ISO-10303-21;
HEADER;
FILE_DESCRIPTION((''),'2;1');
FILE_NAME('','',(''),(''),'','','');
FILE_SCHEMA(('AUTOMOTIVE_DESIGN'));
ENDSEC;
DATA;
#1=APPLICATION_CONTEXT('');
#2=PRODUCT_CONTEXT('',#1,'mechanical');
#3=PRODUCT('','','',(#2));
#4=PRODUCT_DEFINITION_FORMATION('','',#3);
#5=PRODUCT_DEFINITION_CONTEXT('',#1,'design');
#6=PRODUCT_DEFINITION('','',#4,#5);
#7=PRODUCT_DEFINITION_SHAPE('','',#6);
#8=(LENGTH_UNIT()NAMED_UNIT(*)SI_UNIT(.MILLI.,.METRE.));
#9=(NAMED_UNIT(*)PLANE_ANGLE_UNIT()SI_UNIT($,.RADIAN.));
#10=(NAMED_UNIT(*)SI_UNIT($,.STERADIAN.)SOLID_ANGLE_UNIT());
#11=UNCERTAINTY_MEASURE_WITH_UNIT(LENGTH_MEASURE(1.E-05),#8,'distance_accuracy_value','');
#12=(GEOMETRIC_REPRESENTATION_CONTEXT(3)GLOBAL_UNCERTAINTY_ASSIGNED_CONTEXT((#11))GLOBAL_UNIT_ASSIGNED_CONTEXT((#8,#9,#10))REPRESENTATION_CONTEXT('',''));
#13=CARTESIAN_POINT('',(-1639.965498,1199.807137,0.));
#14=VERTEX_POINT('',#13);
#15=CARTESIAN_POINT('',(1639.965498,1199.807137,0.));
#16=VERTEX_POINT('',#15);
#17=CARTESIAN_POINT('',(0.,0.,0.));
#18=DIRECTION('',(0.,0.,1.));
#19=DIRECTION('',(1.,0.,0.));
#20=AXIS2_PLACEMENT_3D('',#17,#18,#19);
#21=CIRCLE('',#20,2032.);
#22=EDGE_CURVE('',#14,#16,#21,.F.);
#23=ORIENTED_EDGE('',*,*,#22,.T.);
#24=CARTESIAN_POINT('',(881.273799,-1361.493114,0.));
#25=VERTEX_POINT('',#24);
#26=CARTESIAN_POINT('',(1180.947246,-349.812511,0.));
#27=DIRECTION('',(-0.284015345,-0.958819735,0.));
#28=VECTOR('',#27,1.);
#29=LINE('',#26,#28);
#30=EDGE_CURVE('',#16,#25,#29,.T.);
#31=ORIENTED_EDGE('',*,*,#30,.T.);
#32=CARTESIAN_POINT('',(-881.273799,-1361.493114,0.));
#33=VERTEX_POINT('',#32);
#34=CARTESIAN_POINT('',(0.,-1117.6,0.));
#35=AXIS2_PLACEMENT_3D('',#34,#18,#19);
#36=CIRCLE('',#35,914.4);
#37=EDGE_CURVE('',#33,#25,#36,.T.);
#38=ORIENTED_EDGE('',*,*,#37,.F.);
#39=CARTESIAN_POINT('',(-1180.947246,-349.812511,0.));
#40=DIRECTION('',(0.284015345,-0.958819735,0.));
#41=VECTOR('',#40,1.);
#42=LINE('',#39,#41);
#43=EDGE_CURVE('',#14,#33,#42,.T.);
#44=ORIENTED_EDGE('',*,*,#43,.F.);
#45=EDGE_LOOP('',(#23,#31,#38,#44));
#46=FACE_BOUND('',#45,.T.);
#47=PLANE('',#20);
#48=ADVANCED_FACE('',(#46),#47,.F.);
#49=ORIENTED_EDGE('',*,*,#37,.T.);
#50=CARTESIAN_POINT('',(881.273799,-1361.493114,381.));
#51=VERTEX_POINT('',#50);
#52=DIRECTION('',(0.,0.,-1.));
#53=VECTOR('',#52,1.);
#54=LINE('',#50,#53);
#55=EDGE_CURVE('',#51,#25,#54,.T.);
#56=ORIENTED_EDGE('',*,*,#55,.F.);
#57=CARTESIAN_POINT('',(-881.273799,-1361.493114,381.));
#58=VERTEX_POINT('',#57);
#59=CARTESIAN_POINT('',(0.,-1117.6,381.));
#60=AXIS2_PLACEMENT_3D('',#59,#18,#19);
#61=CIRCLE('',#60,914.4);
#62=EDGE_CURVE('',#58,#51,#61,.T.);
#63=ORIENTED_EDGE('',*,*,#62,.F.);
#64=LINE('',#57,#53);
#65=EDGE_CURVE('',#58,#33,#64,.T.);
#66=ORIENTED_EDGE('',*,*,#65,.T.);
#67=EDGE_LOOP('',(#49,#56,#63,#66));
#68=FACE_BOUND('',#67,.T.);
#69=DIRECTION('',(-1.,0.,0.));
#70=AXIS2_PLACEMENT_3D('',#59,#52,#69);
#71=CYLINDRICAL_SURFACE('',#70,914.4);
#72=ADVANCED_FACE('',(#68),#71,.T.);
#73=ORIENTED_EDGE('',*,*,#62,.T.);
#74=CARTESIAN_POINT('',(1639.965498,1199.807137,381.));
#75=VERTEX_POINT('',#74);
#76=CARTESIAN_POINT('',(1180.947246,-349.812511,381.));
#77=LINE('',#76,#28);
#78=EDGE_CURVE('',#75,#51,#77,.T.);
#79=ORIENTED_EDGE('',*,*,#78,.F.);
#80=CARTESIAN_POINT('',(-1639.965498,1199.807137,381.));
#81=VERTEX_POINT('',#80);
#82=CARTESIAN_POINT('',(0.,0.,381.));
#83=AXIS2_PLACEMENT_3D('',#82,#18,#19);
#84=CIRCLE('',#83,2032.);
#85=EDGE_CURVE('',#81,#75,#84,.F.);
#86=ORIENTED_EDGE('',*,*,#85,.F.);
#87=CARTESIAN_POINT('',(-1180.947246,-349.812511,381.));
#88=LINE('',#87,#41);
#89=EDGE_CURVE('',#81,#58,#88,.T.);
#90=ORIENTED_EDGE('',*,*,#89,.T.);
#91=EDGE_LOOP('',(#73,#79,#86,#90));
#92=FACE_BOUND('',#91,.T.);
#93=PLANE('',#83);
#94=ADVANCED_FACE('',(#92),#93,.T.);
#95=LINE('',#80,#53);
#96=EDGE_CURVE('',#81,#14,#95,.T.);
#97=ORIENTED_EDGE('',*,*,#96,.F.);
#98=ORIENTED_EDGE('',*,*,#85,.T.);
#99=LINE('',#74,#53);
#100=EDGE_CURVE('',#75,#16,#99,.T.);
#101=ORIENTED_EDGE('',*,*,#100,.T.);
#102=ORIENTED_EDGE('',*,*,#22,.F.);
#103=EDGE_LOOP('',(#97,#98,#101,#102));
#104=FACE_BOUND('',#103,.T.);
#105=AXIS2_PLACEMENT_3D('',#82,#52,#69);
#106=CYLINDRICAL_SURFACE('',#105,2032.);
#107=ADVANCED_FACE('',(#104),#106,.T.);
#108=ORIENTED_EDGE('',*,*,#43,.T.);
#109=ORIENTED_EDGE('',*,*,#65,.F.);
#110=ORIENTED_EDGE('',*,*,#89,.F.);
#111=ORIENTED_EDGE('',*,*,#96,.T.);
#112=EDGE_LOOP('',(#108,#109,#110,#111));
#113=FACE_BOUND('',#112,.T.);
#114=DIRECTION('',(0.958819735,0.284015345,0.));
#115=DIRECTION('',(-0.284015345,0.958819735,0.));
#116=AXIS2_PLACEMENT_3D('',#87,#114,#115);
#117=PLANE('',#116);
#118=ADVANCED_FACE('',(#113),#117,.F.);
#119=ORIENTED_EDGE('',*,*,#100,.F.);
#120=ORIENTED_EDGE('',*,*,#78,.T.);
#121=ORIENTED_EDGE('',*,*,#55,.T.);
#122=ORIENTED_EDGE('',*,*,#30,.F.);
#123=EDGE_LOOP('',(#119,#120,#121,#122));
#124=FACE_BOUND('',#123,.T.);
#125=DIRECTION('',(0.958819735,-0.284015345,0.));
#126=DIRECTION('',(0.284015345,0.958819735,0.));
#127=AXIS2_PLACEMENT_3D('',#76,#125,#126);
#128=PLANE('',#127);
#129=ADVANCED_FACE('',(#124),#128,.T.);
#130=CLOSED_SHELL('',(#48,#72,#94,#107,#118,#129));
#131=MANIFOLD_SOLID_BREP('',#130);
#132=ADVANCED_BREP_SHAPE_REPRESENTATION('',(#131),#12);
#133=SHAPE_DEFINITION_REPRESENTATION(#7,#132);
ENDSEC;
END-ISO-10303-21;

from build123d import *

# Parameters (mm, degrees)
BOSS_EXTRUDE1_DEPTH = 381


with BuildPart() as part:
    # Sketch1 → Boss-Extrude1 (new body)
    with BuildSketch(Plane.XY):
        with BuildLine():
            ThreePointArc((1639.965497995, 1199.807136745), (0, 2032), (-1639.965497995, 1199.807136745))
            Line((-1639.965497995, 1199.807136745), (-881.273799142, -1361.493113772))
            ThreePointArc((-881.273799142, -1361.493113772), (0, -2032), (881.273799142, -1361.493113772))
            Line((881.273799142, -1361.493113772), (1639.965497995, 1199.807136745))
        make_face()
    extrude(amount=BOSS_EXTRUDE1_DEPTH)


solid = part.part
